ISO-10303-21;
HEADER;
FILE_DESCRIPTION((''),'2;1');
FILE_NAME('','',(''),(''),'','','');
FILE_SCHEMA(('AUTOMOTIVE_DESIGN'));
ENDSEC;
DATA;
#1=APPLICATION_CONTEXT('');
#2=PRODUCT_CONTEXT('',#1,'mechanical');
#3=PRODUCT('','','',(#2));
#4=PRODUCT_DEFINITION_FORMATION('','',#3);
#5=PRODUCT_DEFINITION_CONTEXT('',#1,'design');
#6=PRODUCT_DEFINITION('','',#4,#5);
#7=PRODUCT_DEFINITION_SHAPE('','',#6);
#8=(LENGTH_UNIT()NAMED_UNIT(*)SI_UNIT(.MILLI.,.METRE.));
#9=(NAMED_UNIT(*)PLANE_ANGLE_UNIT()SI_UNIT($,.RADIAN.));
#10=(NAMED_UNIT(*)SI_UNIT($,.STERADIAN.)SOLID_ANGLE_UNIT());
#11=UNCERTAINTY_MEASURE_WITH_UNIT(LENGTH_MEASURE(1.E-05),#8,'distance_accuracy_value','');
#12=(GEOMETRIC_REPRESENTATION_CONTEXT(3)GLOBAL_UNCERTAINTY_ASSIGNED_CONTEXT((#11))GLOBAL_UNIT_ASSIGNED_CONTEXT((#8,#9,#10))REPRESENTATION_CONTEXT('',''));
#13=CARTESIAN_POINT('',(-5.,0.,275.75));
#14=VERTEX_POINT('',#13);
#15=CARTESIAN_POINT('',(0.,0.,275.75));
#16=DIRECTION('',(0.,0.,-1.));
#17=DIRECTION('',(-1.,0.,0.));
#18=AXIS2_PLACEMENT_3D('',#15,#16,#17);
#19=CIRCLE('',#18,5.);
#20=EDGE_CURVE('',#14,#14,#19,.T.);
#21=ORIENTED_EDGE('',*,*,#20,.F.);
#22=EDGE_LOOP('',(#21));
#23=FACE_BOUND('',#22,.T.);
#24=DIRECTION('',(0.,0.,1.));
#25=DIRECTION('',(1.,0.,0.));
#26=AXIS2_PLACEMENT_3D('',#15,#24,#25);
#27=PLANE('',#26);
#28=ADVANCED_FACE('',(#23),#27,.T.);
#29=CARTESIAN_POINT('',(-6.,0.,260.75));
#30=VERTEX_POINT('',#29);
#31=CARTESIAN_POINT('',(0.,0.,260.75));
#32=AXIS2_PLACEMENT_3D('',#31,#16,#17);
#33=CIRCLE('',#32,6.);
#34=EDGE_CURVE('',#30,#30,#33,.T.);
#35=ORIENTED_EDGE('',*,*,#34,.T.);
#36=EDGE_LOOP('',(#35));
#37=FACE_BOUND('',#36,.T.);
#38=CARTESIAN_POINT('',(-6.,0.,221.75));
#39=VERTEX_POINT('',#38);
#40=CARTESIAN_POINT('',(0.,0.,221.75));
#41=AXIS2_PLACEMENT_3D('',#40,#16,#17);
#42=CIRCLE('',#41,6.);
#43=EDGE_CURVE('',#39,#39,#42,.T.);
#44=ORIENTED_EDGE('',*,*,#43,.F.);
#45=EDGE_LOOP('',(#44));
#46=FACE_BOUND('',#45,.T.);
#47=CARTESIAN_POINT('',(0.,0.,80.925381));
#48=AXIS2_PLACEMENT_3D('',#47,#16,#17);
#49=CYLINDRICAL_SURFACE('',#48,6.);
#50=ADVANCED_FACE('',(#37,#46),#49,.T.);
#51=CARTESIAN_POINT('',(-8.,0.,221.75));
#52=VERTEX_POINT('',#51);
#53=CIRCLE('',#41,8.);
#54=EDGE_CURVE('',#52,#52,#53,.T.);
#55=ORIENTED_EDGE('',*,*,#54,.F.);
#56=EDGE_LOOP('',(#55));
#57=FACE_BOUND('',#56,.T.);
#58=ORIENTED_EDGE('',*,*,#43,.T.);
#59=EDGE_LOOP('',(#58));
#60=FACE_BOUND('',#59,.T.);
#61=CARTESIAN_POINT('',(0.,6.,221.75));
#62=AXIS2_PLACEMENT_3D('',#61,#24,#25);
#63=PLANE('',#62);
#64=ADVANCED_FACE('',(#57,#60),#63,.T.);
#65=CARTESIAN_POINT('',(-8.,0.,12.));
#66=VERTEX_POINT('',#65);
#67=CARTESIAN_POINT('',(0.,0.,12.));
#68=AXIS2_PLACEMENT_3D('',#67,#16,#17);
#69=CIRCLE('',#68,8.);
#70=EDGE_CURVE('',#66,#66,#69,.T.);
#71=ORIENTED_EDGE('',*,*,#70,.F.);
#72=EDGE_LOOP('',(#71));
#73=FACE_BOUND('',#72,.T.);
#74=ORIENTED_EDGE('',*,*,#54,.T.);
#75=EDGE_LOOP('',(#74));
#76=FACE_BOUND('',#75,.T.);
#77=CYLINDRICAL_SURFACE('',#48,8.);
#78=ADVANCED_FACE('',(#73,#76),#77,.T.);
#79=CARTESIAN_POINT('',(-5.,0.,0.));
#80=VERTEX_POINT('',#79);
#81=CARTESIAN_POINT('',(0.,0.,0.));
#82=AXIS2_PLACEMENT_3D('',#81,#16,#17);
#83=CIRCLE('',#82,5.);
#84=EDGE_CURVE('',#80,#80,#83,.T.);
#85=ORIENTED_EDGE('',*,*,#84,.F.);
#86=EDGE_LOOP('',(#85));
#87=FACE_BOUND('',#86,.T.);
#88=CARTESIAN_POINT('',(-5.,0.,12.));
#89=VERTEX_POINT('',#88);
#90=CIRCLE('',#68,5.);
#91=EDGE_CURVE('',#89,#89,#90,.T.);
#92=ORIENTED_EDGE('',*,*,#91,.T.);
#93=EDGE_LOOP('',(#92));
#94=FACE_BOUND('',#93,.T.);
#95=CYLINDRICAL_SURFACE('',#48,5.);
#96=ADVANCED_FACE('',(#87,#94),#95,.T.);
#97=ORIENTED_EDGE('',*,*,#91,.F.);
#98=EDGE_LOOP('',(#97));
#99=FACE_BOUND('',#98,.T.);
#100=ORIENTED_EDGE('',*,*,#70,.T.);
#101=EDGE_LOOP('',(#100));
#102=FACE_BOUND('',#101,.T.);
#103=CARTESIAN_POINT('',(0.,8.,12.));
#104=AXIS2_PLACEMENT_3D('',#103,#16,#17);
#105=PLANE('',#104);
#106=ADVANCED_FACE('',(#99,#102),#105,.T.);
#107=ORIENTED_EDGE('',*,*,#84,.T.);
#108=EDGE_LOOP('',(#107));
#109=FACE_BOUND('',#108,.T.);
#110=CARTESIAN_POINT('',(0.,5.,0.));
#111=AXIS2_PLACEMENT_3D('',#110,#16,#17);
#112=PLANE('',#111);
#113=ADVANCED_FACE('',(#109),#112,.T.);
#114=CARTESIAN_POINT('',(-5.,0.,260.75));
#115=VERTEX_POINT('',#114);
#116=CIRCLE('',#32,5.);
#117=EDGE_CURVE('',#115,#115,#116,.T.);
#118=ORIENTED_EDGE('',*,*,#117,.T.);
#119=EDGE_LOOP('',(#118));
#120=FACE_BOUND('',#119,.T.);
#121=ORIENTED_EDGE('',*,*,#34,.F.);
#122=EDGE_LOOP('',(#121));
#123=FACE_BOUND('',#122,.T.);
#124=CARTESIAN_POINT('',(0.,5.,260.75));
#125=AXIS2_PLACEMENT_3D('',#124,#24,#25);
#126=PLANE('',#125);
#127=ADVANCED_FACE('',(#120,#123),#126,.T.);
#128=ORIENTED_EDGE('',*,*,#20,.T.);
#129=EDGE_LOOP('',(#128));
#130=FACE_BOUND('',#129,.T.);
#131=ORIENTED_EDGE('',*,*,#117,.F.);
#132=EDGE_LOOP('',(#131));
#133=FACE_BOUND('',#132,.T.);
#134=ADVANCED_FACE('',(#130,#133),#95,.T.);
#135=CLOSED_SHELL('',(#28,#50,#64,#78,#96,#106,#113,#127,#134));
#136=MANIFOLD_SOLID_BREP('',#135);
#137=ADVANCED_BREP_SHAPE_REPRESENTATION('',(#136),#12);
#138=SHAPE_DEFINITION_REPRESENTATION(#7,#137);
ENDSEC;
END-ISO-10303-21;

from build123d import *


with BuildPart() as part:
    # Sketch3 → Revolve2 (revolve)
    with BuildSketch(Plane(origin=(0, 0, 0), x_dir=(0, 0, -1), z_dir=(1, 0, 0))):
        Polygon((-275.75, 0), (-275.75, 5), (-260.75, 5), (-260.75, 6), (-221.75, 6), (-221.75, 8), (-12, 8), (-12, 5), (0, 5), (0, 0), align=None)
    revolve(axis=Axis((0, 0, 80.925381137), (0, 0, 1)))


solid = part.part
